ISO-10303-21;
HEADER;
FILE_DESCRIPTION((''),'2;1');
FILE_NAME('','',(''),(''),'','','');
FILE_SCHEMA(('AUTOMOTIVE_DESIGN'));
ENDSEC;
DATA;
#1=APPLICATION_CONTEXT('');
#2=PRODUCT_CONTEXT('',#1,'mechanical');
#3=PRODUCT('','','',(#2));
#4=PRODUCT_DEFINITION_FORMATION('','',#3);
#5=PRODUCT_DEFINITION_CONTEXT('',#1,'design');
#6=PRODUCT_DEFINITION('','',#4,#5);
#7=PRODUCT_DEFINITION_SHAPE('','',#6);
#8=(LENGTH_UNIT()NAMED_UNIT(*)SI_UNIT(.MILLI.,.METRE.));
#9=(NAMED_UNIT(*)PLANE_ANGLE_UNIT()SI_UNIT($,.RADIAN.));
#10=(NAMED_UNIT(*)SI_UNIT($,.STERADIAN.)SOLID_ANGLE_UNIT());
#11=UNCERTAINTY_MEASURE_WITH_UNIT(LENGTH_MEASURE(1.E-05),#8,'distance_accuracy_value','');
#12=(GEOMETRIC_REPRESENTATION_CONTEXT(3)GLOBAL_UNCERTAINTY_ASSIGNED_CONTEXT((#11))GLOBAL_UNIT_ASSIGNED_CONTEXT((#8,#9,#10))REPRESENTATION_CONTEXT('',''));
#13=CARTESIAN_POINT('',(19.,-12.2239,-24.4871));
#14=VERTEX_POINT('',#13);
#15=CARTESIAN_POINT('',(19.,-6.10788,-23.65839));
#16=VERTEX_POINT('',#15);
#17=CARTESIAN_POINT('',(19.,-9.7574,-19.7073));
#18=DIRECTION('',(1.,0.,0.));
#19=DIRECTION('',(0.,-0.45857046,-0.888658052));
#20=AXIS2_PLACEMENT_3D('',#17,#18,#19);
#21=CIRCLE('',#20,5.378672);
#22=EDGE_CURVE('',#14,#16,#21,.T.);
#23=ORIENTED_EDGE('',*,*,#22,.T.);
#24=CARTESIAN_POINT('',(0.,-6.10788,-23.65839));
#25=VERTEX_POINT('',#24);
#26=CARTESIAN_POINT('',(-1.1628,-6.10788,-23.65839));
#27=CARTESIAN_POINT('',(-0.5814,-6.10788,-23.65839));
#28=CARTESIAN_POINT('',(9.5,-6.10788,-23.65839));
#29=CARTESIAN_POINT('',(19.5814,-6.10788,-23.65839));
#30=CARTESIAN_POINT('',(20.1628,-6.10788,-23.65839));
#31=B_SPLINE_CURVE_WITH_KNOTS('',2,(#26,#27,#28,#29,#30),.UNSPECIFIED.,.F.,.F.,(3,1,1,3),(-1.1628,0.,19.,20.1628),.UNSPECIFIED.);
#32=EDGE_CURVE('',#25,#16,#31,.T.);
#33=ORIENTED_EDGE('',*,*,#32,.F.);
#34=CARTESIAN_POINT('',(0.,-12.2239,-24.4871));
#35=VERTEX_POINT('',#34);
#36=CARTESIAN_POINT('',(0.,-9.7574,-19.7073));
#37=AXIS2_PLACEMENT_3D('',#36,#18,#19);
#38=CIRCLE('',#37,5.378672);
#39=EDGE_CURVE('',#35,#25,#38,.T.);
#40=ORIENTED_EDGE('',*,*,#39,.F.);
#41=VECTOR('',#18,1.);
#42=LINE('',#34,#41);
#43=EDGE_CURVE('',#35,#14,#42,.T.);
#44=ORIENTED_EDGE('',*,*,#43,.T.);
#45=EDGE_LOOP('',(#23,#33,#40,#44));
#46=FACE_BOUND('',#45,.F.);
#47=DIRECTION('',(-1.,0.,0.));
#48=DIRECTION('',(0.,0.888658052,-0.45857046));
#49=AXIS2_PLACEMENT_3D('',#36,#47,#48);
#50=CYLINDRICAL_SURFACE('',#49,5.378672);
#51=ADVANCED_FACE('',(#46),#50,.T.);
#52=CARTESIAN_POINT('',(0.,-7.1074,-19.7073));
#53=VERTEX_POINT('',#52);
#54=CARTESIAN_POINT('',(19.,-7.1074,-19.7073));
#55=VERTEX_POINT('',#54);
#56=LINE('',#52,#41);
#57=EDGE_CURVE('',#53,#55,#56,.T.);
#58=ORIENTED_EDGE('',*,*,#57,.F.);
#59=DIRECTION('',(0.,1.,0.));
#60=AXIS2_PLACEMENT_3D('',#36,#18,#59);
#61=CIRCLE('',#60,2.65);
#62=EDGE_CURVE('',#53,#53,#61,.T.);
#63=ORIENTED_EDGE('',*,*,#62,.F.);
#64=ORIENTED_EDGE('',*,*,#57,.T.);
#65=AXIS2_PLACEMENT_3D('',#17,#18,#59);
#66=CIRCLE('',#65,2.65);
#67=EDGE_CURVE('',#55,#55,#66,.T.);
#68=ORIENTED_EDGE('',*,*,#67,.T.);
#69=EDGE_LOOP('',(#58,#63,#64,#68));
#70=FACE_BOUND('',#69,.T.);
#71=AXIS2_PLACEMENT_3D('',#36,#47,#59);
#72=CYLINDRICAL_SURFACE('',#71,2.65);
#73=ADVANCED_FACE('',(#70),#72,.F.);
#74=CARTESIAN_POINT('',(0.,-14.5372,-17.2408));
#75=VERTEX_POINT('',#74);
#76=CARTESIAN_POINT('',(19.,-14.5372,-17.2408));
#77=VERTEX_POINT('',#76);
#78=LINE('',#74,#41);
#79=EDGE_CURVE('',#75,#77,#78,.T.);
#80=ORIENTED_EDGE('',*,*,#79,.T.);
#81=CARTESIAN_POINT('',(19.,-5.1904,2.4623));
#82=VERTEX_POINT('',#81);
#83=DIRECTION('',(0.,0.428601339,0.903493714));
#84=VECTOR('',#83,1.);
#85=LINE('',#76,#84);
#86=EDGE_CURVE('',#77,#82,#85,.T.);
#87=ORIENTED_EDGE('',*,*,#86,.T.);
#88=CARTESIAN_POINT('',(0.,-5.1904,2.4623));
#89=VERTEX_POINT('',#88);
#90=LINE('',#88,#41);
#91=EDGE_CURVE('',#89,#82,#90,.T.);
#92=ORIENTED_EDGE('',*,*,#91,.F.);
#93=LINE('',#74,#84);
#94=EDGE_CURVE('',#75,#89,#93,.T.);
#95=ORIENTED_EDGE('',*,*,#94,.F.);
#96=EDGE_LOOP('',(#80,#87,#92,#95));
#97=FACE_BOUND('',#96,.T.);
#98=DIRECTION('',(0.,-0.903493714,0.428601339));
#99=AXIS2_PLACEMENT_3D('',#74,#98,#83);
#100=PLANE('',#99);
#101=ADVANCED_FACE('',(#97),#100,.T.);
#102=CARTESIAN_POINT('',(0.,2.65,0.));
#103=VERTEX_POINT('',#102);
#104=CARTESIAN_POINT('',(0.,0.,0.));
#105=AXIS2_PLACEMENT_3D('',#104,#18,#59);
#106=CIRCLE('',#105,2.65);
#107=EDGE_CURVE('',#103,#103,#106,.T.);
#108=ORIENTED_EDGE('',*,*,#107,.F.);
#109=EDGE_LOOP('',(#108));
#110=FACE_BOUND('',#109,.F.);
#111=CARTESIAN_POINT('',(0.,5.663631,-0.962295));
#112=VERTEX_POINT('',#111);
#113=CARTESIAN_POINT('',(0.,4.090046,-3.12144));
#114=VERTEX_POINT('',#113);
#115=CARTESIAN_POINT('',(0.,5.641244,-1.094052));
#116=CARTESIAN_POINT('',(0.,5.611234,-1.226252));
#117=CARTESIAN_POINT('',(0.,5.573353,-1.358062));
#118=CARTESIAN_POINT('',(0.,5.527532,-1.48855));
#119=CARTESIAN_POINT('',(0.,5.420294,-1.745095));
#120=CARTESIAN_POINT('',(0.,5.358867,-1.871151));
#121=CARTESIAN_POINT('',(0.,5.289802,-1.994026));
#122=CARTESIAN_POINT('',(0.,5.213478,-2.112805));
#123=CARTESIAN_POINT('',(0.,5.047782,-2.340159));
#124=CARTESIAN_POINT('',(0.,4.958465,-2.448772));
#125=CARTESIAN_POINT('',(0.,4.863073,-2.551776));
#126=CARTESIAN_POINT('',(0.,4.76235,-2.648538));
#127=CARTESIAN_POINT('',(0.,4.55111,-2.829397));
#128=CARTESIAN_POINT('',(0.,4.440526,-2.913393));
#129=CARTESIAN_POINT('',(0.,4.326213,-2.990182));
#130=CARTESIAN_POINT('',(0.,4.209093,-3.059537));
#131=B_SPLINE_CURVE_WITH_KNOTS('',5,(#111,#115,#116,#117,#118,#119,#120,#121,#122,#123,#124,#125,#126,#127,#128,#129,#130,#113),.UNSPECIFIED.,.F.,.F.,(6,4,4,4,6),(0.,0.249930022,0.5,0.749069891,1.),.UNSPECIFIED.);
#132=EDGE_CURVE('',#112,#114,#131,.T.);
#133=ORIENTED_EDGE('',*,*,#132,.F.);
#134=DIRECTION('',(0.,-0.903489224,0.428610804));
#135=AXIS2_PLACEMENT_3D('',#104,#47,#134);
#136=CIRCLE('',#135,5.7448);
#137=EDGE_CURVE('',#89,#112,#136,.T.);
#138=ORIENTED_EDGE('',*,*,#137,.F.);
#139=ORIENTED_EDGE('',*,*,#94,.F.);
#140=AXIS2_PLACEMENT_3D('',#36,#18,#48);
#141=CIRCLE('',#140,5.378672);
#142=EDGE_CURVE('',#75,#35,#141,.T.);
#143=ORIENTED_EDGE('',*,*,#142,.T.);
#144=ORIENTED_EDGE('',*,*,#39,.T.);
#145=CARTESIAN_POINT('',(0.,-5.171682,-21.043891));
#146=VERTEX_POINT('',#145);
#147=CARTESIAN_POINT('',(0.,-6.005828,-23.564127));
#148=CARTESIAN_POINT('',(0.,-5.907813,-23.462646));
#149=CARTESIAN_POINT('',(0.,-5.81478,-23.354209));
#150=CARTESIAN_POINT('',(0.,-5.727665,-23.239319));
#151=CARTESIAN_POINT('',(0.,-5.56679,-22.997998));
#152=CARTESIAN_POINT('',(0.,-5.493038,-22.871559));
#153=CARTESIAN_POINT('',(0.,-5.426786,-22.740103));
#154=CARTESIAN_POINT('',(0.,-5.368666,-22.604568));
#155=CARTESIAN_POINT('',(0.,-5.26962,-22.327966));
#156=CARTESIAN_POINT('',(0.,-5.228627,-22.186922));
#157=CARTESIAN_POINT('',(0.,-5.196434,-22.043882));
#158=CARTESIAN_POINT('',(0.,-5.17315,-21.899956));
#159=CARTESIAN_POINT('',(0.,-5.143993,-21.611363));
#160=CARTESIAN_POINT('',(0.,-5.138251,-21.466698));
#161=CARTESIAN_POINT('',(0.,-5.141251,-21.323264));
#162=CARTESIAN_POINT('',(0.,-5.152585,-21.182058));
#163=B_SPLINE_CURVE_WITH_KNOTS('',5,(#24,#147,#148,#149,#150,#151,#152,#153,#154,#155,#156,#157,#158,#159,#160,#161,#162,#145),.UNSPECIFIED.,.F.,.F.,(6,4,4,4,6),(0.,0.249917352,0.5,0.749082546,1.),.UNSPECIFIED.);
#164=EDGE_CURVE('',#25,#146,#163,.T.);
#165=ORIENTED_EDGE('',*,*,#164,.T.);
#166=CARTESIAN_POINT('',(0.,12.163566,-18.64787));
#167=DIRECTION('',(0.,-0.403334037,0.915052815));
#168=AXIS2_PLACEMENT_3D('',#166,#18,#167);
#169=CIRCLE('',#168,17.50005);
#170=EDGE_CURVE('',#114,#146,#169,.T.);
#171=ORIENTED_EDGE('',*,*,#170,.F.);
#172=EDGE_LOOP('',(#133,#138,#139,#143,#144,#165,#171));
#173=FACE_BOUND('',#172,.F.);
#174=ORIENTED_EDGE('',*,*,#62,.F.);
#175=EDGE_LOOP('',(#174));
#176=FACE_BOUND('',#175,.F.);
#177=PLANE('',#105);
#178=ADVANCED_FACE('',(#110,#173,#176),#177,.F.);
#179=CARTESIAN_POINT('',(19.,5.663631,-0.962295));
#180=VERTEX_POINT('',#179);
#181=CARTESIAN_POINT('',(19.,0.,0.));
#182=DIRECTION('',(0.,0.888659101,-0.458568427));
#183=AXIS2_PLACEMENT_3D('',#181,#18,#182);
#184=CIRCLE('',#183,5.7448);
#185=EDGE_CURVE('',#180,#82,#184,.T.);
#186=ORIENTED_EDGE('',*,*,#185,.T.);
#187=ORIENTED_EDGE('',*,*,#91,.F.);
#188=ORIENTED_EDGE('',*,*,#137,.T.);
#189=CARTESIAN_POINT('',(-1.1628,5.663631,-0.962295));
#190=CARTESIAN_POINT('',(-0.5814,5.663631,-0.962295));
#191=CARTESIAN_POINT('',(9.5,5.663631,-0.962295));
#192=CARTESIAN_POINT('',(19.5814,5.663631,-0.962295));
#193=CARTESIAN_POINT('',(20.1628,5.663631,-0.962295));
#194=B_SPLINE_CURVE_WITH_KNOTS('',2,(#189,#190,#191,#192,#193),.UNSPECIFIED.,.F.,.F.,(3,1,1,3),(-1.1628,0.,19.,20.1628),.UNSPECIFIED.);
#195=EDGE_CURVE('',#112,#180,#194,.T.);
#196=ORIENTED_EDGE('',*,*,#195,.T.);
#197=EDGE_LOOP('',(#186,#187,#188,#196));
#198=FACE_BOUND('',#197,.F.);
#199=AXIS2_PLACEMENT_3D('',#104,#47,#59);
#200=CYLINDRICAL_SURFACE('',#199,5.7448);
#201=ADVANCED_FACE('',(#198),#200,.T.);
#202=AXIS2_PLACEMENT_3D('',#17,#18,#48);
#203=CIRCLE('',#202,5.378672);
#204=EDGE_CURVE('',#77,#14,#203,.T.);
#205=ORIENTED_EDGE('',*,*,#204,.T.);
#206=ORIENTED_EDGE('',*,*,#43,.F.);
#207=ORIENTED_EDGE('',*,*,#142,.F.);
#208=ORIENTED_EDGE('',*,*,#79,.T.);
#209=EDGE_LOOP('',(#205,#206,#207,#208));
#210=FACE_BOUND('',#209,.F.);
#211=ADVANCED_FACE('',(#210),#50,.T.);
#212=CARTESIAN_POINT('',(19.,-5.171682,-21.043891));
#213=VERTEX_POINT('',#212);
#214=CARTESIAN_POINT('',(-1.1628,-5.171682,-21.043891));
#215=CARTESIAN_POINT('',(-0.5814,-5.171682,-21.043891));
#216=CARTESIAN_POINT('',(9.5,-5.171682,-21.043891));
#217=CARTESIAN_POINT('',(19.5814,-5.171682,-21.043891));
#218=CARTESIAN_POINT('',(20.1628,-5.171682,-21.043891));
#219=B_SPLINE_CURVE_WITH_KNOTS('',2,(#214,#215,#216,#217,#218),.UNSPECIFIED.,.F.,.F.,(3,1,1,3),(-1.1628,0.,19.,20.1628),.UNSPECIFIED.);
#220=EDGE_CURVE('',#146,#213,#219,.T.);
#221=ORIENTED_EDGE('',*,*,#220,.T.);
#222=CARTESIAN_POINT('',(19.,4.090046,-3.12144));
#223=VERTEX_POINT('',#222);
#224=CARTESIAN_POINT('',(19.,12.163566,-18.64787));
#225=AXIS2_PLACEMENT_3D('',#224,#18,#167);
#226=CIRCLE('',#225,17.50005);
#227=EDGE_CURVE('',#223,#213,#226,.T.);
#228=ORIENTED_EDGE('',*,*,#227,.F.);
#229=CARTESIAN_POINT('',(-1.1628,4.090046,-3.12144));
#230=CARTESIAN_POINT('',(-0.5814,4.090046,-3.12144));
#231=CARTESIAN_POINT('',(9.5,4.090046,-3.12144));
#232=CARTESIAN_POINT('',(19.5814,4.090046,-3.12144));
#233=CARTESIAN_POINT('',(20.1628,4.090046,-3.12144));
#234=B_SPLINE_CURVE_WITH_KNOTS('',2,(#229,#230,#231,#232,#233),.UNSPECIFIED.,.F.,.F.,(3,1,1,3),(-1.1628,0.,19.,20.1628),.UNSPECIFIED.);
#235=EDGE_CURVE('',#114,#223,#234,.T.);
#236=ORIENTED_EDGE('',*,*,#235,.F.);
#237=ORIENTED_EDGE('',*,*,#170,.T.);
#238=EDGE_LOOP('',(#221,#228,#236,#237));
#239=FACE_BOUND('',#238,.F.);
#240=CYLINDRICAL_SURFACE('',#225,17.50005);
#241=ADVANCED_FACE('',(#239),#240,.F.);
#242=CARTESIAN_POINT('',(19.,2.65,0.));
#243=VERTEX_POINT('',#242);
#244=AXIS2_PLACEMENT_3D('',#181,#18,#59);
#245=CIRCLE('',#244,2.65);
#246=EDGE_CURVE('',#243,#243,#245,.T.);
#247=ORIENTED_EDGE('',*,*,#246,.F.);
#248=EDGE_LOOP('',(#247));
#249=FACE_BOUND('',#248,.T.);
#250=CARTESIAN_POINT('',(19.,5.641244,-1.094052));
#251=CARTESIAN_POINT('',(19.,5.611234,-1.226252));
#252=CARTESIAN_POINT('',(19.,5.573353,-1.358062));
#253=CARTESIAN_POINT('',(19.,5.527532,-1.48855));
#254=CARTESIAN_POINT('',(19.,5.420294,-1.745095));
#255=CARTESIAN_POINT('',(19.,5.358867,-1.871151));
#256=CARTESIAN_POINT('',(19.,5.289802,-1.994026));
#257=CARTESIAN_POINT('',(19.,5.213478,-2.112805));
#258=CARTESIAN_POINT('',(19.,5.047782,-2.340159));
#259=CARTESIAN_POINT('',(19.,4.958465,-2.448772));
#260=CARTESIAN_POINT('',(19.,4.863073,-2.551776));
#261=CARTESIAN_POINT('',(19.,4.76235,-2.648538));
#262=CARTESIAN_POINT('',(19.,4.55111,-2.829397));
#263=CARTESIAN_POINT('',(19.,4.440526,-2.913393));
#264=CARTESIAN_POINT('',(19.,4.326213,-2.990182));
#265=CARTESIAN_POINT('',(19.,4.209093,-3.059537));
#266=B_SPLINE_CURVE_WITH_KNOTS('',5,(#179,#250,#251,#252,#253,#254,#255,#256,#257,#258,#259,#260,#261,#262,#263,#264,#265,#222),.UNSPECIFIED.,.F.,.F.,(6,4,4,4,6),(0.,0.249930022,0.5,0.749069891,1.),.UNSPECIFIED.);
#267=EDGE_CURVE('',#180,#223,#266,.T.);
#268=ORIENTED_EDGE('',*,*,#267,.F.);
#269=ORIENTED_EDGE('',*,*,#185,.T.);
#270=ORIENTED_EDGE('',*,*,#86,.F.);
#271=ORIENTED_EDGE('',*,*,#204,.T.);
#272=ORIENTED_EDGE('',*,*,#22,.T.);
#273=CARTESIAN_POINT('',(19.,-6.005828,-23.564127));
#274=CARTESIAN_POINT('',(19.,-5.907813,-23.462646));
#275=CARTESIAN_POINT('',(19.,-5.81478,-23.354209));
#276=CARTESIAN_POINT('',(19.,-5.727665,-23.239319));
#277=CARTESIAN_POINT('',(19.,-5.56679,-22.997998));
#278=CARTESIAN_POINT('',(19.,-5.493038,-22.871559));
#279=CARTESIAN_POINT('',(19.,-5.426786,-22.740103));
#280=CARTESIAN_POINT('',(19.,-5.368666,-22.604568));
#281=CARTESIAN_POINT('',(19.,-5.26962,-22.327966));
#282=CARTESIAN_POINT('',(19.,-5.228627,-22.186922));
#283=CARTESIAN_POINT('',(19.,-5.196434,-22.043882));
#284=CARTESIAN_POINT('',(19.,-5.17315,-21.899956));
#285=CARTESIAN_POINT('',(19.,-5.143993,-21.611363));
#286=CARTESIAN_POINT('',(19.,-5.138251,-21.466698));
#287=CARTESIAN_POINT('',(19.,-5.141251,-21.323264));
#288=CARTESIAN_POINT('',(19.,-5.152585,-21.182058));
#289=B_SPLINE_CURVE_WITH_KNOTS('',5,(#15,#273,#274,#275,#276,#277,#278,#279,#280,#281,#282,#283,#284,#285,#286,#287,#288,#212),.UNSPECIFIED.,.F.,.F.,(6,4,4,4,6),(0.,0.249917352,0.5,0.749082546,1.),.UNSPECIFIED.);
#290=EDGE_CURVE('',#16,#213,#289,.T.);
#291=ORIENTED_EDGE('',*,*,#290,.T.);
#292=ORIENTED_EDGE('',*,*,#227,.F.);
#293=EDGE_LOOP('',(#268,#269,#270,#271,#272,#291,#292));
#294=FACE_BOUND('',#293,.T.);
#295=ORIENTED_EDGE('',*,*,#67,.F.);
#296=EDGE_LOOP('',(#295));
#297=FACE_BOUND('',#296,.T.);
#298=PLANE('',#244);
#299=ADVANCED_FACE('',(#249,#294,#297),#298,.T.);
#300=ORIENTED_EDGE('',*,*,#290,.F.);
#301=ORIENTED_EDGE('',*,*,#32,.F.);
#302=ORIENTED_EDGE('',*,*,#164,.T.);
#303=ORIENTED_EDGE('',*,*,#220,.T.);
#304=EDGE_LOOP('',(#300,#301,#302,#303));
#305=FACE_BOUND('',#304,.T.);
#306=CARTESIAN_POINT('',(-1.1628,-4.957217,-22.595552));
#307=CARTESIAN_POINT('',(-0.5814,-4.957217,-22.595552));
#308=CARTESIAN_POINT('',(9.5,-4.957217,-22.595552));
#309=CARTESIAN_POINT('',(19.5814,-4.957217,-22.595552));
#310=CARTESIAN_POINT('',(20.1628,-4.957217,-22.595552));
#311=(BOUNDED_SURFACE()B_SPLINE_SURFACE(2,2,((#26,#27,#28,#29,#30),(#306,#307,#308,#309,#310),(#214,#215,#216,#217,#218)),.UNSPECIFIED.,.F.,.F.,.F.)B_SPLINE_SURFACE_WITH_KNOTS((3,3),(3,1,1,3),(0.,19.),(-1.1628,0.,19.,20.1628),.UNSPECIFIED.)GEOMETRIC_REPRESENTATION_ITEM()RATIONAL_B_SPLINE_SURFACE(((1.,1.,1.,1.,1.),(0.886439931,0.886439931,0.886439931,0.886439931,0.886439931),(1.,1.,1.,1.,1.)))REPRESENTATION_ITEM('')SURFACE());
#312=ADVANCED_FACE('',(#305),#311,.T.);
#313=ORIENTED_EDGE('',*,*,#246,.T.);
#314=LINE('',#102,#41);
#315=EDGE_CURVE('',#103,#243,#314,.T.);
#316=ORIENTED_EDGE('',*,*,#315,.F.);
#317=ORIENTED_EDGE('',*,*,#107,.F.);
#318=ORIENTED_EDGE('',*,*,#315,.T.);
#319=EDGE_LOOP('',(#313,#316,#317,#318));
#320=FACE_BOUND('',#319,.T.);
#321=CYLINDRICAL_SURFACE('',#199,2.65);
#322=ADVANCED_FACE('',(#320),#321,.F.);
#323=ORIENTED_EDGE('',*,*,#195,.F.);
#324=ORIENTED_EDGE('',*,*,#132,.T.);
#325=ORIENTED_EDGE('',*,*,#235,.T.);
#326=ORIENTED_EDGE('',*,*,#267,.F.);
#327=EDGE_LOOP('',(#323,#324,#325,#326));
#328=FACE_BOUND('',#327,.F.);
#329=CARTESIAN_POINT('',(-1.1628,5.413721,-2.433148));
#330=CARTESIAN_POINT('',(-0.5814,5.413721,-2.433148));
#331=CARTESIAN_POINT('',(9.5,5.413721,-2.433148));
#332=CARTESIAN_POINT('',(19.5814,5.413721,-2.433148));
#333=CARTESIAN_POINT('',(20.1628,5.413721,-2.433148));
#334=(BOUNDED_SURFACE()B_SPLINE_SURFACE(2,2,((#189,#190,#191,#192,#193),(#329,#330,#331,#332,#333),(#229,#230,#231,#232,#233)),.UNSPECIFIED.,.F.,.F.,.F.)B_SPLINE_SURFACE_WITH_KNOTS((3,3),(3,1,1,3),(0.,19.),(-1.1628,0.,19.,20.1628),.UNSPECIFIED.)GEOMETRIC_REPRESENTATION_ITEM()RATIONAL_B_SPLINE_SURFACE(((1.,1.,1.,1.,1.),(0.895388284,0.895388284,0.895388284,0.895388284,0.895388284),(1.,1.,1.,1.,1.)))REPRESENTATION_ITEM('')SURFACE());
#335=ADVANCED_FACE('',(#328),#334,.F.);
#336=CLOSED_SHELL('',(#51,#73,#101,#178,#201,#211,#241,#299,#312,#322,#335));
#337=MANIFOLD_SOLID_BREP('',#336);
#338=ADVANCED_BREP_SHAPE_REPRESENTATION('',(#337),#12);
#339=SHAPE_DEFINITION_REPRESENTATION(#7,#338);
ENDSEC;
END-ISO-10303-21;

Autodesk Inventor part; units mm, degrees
ref_plane "YZ Plane" through (0, 0, 0) normal (1, 0, 0) x (0, 1, 0)
ref_plane "XZ Plane" through (0, 0, 0) normal (0, 1, 0) x (-1, 0, 0)
ref_plane "XY Plane" through (0, 0, 0) normal (0, 0, 1) x (1, 0, 0)
sketch "Sketch1" plane through (0, 0, 0) normal (1, 0, 0) x (0, 1, 0)
  circle A0 centre (-9.7574, -19.7073) radius 1.55 construction
  circle A1 centre (0, 0) radius 1.55 construction
  circle A2 centre (-9.7574, -19.7073) radius 2.65
  circle A3 centre (0, 0) radius 2.65
  line L0 (-6.0684, -24.2876) -> (12.7398, 12.1607) construction
  arc A4 (-12.2239, -24.4871) -> (-4.9776, -22.1738) centre (-9.7574, -19.7073) ccw
  circle A5 centre (0, 0) radius 5.7448
  line L1 (-4.9776, -22.1738) -> (5.1052, -2.6344)
  arc A6 (-4.9776, -22.1738) -> (-12.2239, -24.4871) centre (-9.7574, -19.7073) ccw
  line L2 (-14.5372, -17.2408) -> (-5.1904, 2.4623)
  line L3 (0, 0) -> (0, -27.0135) construction
  line L4 (0, 0) -> (-9.7574, -19.7073) construction
  point P0 (-10.1101, -25.5779)
  dimension "d0" = 5.3
  dimension "d1" = 5.3
  dimension "d3" = 11.4897
  dimension "d4" = 5.3787
  dimension "d5" = 21.8076
  dimension "d6" = 21.9875
extrude "Extrusion1" add sketch "Sketch1" along normal blind 19
sketch "Sketch2" plane through (19, 0, 0) normal (1, 0, 0) x (0, 0, -1)
  arc A0 (17.2408, -14.5372) -> (22.1738, -4.9776) centre (19.7073, -9.7574) ccw projected
  line L0 (22.1738, -4.9776) -> (2.6344, 5.1052) projected
  arc A1 (2.6344, 5.1052) -> (-2.4623, -5.1904) centre (0, 0) ccw projected
  line L1 (-2.4623, -5.1904) -> (17.2408, -14.5372) construction
  circle A2 centre (19.7073, -9.7574) radius 2.65 construction
  circle A3 centre (0, 0) radius 2.65 construction
  circle A4 centre (19.7073, -9.7574) radius 2.65 construction
  line L2 (-0.0042, 0.0021) -> (19.7073, -9.7574) construction
  circle A5 centre (12.4634, 13.9146) radius 1
  circle A6 centre (12.4634, 13.9146) radius 4
  line L3 (9.7462, 16.85) -> (-3.9025, 4.2159)
  arc A7 (2.6344, 5.1052) -> (-2.4623, -5.1904) centre (0, 0) ccw projected
  line L4 (16.2172, 15.2963) -> (24.7549, -7.8995)
  line L5 (-12.5084, -12.3162) -> (6.9664, 27.0174)
  point P0 (-3.9025, 4.2159)
  dimension "d11" = 2
  dimension "d12" = 8
  dimension "d20" = 18
  dimension "d21" = 10.7401
extrude "Extrusion2" [suppressed]
sketch "Sketch3" plane through (19, 0, 0) normal (1, 0, 0) x (0, 0, -1)
  circle A0 centre (12.4634, 13.9146) radius 1 projected
  circle A1 centre (12.4634, 13.9146) radius 2.5
  point P0 (0, 0)
  dimension "d15" = 5
extrude "Extrusion3" [suppressed]
sketch "Sketch4" plane through (19, 0, 0) normal (1, 0, 0) x (0, 0, -1)
  arc A0 (2.6344, 5.1052) -> (-2.4623, -5.1904) centre (0, 0) ccw projected
  line L0 (-2.4623, -5.1904) -> (17.2408, -14.5372) projected
  arc A1 (17.2408, -14.5372) -> (22.1738, -4.9776) centre (19.7073, -9.7574) ccw projected
  line L1 (22.1738, -4.9776) -> (2.6344, 5.1052) projected
  circle A2 centre (19.7073, -9.7574) radius 2.65 projected
  circle A3 centre (0, 0) radius 2.65 projected
  arc A4 (2.6344, 5.1052) -> (-2.4623, -5.1904) centre (0, 0) ccw projected
  arc A5 (17.2408, -14.5372) -> (22.1738, -4.9776) centre (19.7073, -9.7574) ccw projected
  arc A6 (2.6344, 5.1052) -> (22.1738, -4.9776) centre (18.6478, 12.1635) ccw
  dimension "d22" = 17.5
extrude "Extrusion4" cut sketch "Sketch4" against normal through all contours L1 A6
fillet "Fillet1" radius 3 2 edges at (9.5, -4.9776, -22.1738) (9.5, 5.1052, -2.6344)
properties part number "Kauri modular camera mount spacer micro outside" material "Brass, Soft Yellow"
